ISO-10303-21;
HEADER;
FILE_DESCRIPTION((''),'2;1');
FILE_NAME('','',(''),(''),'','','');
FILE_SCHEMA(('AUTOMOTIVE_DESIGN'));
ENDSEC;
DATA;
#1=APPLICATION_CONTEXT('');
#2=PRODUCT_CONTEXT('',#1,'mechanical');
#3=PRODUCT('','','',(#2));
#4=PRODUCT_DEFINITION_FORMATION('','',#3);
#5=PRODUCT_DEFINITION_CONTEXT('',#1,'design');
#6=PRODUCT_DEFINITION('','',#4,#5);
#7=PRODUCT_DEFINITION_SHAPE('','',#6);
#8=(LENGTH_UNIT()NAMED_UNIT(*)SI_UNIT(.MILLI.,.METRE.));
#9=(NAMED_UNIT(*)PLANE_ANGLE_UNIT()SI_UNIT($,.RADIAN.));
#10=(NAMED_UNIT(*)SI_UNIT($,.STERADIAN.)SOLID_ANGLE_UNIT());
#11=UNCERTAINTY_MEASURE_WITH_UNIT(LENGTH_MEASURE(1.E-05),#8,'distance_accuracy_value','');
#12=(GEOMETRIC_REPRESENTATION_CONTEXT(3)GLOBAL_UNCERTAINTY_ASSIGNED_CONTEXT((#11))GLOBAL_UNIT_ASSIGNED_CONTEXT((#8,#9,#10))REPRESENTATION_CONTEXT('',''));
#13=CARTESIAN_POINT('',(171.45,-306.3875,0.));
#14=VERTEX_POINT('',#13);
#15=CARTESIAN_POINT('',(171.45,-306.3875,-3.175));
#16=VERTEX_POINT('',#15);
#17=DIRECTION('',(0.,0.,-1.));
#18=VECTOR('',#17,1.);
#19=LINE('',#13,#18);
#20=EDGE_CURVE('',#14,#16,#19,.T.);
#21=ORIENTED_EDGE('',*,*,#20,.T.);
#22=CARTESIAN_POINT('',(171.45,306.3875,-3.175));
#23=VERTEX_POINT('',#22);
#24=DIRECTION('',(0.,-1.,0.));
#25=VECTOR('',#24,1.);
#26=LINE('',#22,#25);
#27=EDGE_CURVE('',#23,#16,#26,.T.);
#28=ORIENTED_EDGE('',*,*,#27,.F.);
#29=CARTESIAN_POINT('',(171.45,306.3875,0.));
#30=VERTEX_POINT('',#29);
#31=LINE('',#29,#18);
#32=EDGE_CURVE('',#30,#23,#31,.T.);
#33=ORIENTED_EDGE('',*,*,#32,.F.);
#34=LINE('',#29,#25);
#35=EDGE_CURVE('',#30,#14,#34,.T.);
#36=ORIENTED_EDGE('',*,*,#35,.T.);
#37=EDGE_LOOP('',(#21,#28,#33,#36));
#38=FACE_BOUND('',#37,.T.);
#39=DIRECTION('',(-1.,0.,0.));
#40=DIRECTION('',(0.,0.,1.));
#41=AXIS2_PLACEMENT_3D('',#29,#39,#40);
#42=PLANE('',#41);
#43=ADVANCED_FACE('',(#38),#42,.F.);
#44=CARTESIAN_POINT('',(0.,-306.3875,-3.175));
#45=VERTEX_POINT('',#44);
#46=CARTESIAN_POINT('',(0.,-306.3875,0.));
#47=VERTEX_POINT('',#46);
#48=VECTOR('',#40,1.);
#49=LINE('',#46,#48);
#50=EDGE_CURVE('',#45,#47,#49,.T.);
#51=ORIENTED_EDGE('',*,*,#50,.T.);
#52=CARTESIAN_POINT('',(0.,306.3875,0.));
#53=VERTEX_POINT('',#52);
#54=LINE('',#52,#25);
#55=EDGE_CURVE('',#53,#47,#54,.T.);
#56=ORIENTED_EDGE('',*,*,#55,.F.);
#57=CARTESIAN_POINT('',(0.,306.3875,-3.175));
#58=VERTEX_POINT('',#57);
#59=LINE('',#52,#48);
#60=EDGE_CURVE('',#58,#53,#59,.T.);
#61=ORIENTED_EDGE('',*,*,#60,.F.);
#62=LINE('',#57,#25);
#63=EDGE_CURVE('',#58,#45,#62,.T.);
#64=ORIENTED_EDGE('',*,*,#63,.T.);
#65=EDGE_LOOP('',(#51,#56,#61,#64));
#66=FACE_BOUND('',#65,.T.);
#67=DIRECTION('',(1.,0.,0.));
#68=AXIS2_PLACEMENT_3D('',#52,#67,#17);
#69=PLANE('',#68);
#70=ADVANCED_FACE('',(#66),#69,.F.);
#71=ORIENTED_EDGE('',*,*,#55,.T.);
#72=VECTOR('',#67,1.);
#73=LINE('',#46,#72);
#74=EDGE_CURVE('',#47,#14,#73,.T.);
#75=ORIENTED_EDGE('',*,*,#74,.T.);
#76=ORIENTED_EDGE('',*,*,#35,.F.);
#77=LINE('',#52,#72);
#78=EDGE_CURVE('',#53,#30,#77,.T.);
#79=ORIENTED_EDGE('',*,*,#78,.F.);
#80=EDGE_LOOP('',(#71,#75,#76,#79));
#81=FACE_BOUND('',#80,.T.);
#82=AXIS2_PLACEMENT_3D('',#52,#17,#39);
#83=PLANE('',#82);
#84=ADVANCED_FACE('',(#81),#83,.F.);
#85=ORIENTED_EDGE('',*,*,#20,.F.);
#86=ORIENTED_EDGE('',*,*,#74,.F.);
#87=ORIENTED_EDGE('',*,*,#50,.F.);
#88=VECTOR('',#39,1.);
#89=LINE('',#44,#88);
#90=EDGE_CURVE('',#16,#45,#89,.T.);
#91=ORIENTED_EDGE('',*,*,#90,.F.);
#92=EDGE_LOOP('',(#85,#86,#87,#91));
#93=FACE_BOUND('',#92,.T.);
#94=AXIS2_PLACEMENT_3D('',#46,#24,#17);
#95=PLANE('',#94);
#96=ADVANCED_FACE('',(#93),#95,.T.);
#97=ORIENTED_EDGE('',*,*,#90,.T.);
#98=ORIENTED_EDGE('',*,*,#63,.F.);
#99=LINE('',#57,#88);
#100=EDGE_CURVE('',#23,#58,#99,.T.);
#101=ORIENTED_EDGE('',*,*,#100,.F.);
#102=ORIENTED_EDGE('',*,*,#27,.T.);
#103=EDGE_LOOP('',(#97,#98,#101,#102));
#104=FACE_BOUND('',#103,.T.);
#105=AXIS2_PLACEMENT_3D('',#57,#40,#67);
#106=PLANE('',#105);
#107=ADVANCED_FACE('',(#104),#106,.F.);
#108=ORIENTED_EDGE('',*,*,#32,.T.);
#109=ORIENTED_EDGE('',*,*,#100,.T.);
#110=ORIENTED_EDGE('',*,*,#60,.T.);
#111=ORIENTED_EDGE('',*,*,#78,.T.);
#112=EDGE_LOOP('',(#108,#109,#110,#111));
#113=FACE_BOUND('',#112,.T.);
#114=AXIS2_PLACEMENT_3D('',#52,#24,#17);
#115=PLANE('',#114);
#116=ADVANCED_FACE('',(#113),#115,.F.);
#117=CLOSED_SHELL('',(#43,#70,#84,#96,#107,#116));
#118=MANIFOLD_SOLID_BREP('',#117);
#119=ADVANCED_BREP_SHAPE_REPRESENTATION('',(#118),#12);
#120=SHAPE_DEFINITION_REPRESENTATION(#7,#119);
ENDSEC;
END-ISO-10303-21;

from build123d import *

# Parameters (mm, degrees)
SKETCH1_W           = 171.45
SKETCH1_H           = 3.175
BOSS_EXTRUDE1_DEPTH = 306.3875


with BuildPart() as part:
    # Sketch1 → Boss-Extrude1 (new body, symmetric)
    with BuildSketch(Plane(origin=(0, 0, 0), x_dir=(1, 0, 0), z_dir=(0, 1, 0))):
        with Locations((85.725, 1.5875)):
            Rectangle(SKETCH1_W, SKETCH1_H)
    extrude(amount=BOSS_EXTRUDE1_DEPTH, both=True)


solid = part.part
